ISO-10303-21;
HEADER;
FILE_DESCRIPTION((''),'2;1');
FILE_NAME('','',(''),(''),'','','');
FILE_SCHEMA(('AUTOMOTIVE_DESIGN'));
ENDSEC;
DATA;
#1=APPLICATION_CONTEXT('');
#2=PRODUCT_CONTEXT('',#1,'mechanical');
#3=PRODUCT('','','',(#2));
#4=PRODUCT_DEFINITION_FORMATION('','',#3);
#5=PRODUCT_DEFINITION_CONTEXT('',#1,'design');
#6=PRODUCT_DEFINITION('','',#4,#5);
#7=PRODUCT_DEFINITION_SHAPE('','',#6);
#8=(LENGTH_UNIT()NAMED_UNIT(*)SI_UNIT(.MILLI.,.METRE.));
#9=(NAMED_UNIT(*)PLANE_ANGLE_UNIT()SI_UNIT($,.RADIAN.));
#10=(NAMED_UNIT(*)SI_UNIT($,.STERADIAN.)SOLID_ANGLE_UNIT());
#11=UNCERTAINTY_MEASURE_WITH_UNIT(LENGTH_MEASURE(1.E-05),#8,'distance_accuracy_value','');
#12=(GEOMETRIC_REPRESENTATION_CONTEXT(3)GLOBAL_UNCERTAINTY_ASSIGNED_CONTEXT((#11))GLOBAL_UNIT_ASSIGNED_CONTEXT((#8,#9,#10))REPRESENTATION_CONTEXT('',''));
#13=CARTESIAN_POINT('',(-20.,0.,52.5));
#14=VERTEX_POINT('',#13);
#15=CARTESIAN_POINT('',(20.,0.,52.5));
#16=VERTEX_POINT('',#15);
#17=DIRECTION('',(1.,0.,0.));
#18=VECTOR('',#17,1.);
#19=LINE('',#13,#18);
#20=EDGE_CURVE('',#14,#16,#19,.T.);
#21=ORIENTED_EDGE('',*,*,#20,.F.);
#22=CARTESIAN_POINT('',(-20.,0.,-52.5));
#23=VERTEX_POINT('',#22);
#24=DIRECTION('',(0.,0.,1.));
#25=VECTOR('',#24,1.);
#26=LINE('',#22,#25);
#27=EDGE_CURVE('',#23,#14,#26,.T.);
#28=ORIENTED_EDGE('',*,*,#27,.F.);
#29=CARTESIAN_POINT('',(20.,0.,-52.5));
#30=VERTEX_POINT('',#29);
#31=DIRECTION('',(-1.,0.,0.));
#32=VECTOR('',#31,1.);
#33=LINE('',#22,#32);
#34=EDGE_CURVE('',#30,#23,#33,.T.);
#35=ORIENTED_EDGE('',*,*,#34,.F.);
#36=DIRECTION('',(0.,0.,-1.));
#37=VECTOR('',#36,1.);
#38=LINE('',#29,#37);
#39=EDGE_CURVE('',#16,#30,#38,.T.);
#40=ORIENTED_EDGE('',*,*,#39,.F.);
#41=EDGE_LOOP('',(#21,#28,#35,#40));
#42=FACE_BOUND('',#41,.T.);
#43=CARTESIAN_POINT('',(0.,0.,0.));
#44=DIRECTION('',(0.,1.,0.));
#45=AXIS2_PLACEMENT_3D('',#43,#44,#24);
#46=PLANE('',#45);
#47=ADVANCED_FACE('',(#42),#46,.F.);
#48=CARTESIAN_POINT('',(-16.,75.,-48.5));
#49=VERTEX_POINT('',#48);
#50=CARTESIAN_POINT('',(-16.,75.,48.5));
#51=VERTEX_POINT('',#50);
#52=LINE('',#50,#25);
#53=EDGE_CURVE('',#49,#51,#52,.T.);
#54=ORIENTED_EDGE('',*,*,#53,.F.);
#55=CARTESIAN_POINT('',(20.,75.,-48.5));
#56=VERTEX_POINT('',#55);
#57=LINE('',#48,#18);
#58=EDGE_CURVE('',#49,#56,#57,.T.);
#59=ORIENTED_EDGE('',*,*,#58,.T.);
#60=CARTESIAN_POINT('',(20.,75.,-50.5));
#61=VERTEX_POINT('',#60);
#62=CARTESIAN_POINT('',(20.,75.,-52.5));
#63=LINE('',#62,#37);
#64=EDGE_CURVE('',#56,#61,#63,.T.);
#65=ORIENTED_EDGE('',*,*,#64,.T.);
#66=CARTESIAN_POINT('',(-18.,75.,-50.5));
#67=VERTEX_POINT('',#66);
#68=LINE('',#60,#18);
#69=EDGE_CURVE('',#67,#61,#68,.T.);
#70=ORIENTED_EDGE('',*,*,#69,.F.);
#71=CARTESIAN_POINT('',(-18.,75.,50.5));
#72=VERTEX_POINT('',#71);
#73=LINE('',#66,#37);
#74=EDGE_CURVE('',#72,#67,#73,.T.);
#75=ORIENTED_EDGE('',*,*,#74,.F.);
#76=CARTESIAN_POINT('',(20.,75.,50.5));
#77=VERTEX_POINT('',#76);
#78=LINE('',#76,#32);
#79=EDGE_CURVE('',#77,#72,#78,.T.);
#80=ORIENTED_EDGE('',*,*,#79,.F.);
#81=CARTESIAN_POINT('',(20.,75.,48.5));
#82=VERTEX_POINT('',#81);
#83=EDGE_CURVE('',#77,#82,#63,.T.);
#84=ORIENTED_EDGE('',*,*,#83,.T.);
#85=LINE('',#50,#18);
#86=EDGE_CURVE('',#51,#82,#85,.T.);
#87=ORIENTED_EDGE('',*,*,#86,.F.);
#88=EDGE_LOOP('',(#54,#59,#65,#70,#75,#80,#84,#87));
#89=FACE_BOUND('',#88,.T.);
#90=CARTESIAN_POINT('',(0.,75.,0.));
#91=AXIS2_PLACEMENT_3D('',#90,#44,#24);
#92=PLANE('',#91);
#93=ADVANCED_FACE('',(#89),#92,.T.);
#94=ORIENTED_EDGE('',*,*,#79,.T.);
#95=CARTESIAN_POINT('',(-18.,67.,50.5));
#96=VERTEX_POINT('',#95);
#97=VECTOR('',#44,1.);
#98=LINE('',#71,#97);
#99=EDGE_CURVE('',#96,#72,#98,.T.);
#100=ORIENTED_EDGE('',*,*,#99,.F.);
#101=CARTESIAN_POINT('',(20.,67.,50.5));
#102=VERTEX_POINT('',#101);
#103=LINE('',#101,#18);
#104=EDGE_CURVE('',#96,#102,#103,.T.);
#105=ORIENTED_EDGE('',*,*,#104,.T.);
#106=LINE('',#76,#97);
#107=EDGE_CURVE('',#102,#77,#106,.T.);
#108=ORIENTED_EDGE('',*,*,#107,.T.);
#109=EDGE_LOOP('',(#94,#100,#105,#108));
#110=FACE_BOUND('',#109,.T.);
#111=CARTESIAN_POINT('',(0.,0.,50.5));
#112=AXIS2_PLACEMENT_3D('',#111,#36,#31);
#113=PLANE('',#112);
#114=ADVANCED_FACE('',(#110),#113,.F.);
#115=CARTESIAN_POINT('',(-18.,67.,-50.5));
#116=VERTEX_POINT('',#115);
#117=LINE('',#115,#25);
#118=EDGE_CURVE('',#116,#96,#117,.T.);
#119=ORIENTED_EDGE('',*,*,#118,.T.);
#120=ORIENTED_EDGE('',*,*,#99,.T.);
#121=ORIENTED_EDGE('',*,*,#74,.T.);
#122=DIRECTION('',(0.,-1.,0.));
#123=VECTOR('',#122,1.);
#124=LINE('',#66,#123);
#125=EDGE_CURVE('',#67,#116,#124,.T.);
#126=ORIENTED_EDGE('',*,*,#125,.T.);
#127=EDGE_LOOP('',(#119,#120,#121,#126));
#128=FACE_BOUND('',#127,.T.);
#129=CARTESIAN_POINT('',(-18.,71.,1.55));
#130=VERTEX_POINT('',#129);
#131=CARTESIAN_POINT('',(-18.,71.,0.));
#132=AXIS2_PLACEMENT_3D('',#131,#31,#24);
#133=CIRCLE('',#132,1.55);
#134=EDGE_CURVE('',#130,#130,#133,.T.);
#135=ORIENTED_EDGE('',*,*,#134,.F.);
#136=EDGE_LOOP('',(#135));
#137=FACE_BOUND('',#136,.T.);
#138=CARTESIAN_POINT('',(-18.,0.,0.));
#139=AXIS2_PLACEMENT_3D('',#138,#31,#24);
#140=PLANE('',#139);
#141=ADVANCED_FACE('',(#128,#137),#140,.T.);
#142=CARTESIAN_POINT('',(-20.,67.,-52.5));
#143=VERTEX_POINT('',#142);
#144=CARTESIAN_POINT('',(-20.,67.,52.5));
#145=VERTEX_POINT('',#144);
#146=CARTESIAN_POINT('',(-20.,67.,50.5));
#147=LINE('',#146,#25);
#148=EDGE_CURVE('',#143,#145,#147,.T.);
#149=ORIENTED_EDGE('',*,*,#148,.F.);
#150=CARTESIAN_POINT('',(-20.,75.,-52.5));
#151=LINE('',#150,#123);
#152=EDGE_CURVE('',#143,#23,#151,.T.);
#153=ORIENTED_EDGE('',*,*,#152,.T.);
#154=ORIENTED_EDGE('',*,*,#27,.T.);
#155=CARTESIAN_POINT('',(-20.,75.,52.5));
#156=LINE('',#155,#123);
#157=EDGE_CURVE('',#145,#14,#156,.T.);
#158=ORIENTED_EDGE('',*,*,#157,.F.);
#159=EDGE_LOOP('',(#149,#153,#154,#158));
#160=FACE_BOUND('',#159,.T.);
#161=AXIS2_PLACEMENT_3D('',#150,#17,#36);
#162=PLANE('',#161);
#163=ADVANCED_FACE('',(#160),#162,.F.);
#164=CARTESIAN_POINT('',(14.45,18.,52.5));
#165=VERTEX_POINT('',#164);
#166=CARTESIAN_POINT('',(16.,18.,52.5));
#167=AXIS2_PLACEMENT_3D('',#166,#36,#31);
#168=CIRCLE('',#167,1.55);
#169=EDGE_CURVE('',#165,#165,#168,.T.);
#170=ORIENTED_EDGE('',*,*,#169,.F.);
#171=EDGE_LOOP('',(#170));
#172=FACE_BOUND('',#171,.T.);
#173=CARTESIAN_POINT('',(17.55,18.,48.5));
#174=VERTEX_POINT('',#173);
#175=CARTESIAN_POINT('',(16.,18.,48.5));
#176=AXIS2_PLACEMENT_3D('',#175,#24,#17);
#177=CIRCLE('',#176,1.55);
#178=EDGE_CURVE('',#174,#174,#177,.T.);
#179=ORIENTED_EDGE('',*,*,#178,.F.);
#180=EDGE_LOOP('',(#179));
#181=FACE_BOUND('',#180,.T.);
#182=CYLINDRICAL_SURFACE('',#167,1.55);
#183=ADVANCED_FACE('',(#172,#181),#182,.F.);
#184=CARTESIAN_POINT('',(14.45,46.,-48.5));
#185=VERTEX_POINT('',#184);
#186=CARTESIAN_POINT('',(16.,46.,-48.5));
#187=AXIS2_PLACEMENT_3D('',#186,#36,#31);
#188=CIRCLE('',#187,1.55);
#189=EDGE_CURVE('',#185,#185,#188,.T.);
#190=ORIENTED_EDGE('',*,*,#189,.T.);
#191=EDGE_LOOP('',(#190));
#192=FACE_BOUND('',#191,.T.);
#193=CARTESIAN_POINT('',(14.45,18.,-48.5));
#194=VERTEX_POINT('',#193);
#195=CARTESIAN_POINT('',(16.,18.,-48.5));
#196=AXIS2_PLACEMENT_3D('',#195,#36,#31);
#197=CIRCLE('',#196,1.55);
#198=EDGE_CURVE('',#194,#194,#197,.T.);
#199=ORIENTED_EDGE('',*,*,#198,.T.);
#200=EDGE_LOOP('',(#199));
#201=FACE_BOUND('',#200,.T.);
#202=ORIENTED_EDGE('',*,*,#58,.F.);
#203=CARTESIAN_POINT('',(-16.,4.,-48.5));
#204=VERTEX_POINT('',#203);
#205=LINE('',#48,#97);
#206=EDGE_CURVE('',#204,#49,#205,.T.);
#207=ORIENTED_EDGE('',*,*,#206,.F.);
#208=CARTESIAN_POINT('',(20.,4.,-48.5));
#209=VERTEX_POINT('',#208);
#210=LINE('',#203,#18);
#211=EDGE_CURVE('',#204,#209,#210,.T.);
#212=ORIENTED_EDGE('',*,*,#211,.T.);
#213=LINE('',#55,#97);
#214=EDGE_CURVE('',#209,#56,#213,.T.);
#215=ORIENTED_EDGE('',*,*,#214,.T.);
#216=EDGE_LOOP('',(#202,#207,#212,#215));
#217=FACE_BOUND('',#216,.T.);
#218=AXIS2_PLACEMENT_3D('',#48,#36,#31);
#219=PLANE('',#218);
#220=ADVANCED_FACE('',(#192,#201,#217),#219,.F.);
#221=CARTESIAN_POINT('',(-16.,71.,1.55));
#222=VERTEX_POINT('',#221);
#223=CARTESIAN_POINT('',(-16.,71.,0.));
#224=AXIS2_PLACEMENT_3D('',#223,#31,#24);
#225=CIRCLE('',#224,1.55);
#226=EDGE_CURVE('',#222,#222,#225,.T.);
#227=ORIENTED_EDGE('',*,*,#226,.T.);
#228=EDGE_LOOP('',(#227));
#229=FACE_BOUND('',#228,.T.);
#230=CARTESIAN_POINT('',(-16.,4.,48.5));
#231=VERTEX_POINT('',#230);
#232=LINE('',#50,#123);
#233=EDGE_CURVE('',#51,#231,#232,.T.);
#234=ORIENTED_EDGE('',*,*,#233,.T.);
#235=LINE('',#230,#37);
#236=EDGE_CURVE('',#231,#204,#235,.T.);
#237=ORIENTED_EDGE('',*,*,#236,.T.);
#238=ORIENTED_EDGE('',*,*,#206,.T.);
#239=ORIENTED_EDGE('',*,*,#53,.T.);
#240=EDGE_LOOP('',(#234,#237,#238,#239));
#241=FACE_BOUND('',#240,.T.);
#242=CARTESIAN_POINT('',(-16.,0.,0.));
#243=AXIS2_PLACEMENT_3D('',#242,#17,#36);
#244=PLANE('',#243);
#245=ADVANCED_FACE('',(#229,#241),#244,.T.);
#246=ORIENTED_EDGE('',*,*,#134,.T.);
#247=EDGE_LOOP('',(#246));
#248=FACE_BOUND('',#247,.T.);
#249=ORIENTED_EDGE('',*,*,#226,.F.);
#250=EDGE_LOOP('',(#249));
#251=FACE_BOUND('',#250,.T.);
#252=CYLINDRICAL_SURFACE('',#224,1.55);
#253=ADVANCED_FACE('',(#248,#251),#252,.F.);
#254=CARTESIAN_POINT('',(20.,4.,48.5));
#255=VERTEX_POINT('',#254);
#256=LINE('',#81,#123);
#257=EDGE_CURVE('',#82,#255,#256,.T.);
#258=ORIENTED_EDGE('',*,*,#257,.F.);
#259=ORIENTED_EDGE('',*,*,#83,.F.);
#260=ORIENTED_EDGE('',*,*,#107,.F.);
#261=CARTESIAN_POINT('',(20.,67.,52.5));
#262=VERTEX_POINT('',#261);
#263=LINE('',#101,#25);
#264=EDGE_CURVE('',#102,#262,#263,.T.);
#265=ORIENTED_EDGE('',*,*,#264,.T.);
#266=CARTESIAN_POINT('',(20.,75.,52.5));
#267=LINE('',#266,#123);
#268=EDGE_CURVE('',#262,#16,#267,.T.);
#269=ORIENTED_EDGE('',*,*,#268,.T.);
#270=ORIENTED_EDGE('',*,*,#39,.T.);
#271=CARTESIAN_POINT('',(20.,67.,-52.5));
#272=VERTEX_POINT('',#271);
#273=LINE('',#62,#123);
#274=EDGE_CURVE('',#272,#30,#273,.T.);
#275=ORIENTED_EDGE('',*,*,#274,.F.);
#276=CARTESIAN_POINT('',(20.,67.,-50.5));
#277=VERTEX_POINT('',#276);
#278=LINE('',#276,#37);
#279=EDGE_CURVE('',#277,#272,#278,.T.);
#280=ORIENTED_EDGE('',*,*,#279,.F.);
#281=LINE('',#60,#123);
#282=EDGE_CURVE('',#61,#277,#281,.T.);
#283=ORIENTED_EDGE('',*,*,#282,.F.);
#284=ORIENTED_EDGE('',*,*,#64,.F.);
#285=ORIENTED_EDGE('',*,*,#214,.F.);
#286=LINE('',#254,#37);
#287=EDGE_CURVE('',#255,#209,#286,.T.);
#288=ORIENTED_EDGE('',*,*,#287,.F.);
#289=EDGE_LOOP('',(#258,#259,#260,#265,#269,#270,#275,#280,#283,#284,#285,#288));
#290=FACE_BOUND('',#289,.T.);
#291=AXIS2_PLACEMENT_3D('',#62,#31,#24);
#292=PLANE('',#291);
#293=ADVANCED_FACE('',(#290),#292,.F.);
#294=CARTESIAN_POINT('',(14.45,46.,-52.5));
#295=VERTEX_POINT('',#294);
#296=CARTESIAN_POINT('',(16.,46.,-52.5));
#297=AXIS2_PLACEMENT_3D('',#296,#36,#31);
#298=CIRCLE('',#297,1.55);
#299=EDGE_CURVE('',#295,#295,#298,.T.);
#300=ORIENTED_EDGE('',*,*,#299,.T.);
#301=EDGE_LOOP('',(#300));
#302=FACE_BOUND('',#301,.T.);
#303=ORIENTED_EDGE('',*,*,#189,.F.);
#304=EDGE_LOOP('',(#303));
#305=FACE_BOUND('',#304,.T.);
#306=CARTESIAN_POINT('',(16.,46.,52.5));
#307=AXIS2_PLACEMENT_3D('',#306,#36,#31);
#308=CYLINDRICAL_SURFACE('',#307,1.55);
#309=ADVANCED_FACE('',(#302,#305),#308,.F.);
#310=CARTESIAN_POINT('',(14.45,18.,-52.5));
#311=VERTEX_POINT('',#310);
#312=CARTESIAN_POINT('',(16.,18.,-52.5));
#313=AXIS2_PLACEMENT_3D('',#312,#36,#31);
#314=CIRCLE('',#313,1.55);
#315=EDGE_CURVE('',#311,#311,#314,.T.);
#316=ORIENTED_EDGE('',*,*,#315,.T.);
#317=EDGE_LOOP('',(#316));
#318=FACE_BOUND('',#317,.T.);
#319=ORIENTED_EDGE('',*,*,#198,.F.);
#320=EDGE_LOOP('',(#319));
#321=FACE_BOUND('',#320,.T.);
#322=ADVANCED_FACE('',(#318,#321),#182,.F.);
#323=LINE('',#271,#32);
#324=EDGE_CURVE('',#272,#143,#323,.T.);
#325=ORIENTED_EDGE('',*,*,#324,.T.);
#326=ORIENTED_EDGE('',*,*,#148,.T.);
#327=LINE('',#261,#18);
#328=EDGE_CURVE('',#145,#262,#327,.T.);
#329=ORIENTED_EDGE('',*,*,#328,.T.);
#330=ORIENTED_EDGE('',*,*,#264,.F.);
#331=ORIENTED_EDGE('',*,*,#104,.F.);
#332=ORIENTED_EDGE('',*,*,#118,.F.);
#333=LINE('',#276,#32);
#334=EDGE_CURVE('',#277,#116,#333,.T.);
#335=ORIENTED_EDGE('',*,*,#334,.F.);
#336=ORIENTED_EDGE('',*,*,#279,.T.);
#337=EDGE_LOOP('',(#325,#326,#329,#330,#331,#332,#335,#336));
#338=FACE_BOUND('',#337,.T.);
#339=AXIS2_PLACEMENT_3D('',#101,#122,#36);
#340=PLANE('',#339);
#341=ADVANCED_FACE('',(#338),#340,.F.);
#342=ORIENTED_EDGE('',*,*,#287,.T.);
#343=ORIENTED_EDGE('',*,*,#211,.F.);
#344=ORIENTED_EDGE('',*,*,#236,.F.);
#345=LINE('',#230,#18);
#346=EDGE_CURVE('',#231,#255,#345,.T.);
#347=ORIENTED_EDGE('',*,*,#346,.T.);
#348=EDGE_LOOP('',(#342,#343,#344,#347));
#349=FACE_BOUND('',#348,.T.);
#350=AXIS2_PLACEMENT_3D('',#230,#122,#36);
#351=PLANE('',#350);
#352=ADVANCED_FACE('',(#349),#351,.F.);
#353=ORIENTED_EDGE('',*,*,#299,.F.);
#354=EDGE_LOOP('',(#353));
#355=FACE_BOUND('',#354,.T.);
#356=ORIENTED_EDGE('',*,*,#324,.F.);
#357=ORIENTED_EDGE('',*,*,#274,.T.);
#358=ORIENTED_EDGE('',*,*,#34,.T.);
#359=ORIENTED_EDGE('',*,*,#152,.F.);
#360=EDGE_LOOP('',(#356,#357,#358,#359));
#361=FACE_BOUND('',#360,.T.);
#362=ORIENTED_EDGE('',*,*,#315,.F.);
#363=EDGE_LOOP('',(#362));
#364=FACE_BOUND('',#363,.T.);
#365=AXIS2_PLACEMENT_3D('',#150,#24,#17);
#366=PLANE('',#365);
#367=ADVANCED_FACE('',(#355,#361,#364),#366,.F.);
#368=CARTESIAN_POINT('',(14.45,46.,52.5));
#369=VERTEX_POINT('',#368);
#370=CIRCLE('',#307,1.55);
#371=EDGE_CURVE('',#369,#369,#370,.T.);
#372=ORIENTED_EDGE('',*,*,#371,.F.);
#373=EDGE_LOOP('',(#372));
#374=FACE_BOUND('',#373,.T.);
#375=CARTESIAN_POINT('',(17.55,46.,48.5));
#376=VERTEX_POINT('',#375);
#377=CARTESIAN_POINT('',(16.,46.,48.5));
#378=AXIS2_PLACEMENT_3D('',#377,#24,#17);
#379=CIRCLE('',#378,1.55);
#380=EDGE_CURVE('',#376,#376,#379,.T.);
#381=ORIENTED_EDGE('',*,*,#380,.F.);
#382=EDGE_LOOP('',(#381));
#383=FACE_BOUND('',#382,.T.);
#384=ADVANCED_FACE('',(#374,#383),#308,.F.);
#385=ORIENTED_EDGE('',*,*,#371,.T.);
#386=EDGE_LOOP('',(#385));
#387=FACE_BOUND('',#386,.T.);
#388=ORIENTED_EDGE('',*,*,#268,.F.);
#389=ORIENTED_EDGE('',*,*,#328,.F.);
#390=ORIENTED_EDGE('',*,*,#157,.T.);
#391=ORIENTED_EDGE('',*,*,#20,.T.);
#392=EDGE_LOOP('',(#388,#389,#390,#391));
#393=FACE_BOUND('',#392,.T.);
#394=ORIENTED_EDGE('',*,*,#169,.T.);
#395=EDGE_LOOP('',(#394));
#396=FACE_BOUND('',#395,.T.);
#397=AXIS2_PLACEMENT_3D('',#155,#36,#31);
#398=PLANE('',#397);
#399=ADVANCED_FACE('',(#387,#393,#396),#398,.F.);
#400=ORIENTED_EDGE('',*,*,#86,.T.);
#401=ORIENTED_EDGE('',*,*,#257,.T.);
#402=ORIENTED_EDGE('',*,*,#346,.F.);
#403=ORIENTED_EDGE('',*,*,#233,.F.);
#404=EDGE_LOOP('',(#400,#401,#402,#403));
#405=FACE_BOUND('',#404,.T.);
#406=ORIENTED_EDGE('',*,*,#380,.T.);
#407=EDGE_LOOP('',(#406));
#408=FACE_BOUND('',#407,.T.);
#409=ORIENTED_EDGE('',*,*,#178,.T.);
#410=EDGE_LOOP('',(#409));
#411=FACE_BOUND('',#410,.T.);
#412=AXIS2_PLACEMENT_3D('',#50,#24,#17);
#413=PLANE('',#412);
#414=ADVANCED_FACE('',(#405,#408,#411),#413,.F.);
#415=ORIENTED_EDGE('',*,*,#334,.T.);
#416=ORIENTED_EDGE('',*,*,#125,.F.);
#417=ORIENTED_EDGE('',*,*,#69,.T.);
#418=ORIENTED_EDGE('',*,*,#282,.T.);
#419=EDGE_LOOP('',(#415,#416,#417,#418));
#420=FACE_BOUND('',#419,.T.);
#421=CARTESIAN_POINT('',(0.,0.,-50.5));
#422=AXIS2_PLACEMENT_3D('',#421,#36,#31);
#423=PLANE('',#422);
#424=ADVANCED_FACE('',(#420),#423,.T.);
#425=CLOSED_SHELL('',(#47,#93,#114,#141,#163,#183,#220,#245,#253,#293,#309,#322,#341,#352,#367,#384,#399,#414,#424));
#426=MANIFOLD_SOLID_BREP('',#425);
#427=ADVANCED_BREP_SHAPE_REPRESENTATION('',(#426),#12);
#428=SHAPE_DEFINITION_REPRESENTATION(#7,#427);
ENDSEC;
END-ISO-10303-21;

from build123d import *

# Parameters (mm, degrees)
SKETCH1_W               = 40
SKETCH1_H               = 105
BOSS_EXTRUDE3_DEPTH     = 75
SKETCH4_W               = 97
SKETCH4_H               = 71
CUT_EXTRUDE2_DEPTH      = 36
SKETCH5_W               = 40
SKETCH5_H               = 8
CUT_EXTRUDE3_DEPTH      = 2
SKETCH6_W               = 40
SKETCH6_H               = 8
CUT_EXTRUDE4_DEPTH      = 2
SKETCH7_W               = 101
SKETCH7_H               = 8
CUT_EXTRUDE5_DEPTH      = 2
SKETCH8_R               = 1.55
CUT_EXTRUDE6_DEPTH      = 102
CUT_EXTRUDE6_DEPTH_BACK = 5
SKETCH10_R              = 1.55
CUT_EXTRUDE8_DEPTH      = 2


with BuildPart() as part:
    # Sketch1 → Boss-Extrude3 (new body)
    with BuildSketch(Plane(origin=(0, 0, 0), x_dir=(1, 0, 0), z_dir=(0, 1, 0))):
        Rectangle(SKETCH1_W, SKETCH1_H)
    extrude(amount=BOSS_EXTRUDE3_DEPTH)

    # Sketch4 → Cut-Extrude2 (cut)
    with BuildSketch(Plane(origin=(20, 0, 0), x_dir=(0, 0, -1), z_dir=(1, 0, 0))):
        with Locations((0, 39.5)):
            Rectangle(SKETCH4_W, SKETCH4_H)
    extrude(amount=-CUT_EXTRUDE2_DEPTH, mode=Mode.SUBTRACT)

    # Sketch5 → Cut-Extrude3 (cut)
    with BuildSketch(Plane.XY.offset(52.5)):
        with Locations((0, 71)):
            Rectangle(SKETCH5_W, SKETCH5_H)
    extrude(amount=-CUT_EXTRUDE3_DEPTH, mode=Mode.SUBTRACT)

    # Sketch6 → Cut-Extrude4 (cut)
    with BuildSketch(Plane(origin=(0, 0, -52.5), x_dir=(-1, 0, 0), z_dir=(0, 0, -1))):
        with Locations((0, 71)):
            Rectangle(SKETCH6_W, SKETCH6_H)
    extrude(amount=-CUT_EXTRUDE4_DEPTH, mode=Mode.SUBTRACT)

    # Sketch7 → Cut-Extrude5 (cut)
    with BuildSketch(Plane.ZY.offset(20)):
        with Locations((0, 71)):
            Rectangle(SKETCH7_W, SKETCH7_H)
    extrude(amount=-CUT_EXTRUDE5_DEPTH, mode=Mode.SUBTRACT)

    # Sketch8 → Cut-Extrude6 (cut, two sides)
    with BuildSketch(Plane(origin=(0, 0, 48.5), x_dir=(-1, 0, 0), z_dir=(0, 0, -1))) as cut_extrude6_sk:
        with Locations((-16, 18)):
            Circle(SKETCH8_R)
        with Locations((-16, 46)):
            Circle(SKETCH8_R)
    extrude(amount=CUT_EXTRUDE6_DEPTH, mode=Mode.SUBTRACT)
    extrude(cut_extrude6_sk.sketch, amount=-CUT_EXTRUDE6_DEPTH_BACK, mode=Mode.SUBTRACT)

    # Sketch10 → Cut-Extrude8 (cut)
    with BuildSketch(Plane.ZY.offset(18)):
        with Locations((0, 71)):
            Circle(SKETCH10_R)
    extrude(amount=-CUT_EXTRUDE8_DEPTH, mode=Mode.SUBTRACT)


solid = part.part
